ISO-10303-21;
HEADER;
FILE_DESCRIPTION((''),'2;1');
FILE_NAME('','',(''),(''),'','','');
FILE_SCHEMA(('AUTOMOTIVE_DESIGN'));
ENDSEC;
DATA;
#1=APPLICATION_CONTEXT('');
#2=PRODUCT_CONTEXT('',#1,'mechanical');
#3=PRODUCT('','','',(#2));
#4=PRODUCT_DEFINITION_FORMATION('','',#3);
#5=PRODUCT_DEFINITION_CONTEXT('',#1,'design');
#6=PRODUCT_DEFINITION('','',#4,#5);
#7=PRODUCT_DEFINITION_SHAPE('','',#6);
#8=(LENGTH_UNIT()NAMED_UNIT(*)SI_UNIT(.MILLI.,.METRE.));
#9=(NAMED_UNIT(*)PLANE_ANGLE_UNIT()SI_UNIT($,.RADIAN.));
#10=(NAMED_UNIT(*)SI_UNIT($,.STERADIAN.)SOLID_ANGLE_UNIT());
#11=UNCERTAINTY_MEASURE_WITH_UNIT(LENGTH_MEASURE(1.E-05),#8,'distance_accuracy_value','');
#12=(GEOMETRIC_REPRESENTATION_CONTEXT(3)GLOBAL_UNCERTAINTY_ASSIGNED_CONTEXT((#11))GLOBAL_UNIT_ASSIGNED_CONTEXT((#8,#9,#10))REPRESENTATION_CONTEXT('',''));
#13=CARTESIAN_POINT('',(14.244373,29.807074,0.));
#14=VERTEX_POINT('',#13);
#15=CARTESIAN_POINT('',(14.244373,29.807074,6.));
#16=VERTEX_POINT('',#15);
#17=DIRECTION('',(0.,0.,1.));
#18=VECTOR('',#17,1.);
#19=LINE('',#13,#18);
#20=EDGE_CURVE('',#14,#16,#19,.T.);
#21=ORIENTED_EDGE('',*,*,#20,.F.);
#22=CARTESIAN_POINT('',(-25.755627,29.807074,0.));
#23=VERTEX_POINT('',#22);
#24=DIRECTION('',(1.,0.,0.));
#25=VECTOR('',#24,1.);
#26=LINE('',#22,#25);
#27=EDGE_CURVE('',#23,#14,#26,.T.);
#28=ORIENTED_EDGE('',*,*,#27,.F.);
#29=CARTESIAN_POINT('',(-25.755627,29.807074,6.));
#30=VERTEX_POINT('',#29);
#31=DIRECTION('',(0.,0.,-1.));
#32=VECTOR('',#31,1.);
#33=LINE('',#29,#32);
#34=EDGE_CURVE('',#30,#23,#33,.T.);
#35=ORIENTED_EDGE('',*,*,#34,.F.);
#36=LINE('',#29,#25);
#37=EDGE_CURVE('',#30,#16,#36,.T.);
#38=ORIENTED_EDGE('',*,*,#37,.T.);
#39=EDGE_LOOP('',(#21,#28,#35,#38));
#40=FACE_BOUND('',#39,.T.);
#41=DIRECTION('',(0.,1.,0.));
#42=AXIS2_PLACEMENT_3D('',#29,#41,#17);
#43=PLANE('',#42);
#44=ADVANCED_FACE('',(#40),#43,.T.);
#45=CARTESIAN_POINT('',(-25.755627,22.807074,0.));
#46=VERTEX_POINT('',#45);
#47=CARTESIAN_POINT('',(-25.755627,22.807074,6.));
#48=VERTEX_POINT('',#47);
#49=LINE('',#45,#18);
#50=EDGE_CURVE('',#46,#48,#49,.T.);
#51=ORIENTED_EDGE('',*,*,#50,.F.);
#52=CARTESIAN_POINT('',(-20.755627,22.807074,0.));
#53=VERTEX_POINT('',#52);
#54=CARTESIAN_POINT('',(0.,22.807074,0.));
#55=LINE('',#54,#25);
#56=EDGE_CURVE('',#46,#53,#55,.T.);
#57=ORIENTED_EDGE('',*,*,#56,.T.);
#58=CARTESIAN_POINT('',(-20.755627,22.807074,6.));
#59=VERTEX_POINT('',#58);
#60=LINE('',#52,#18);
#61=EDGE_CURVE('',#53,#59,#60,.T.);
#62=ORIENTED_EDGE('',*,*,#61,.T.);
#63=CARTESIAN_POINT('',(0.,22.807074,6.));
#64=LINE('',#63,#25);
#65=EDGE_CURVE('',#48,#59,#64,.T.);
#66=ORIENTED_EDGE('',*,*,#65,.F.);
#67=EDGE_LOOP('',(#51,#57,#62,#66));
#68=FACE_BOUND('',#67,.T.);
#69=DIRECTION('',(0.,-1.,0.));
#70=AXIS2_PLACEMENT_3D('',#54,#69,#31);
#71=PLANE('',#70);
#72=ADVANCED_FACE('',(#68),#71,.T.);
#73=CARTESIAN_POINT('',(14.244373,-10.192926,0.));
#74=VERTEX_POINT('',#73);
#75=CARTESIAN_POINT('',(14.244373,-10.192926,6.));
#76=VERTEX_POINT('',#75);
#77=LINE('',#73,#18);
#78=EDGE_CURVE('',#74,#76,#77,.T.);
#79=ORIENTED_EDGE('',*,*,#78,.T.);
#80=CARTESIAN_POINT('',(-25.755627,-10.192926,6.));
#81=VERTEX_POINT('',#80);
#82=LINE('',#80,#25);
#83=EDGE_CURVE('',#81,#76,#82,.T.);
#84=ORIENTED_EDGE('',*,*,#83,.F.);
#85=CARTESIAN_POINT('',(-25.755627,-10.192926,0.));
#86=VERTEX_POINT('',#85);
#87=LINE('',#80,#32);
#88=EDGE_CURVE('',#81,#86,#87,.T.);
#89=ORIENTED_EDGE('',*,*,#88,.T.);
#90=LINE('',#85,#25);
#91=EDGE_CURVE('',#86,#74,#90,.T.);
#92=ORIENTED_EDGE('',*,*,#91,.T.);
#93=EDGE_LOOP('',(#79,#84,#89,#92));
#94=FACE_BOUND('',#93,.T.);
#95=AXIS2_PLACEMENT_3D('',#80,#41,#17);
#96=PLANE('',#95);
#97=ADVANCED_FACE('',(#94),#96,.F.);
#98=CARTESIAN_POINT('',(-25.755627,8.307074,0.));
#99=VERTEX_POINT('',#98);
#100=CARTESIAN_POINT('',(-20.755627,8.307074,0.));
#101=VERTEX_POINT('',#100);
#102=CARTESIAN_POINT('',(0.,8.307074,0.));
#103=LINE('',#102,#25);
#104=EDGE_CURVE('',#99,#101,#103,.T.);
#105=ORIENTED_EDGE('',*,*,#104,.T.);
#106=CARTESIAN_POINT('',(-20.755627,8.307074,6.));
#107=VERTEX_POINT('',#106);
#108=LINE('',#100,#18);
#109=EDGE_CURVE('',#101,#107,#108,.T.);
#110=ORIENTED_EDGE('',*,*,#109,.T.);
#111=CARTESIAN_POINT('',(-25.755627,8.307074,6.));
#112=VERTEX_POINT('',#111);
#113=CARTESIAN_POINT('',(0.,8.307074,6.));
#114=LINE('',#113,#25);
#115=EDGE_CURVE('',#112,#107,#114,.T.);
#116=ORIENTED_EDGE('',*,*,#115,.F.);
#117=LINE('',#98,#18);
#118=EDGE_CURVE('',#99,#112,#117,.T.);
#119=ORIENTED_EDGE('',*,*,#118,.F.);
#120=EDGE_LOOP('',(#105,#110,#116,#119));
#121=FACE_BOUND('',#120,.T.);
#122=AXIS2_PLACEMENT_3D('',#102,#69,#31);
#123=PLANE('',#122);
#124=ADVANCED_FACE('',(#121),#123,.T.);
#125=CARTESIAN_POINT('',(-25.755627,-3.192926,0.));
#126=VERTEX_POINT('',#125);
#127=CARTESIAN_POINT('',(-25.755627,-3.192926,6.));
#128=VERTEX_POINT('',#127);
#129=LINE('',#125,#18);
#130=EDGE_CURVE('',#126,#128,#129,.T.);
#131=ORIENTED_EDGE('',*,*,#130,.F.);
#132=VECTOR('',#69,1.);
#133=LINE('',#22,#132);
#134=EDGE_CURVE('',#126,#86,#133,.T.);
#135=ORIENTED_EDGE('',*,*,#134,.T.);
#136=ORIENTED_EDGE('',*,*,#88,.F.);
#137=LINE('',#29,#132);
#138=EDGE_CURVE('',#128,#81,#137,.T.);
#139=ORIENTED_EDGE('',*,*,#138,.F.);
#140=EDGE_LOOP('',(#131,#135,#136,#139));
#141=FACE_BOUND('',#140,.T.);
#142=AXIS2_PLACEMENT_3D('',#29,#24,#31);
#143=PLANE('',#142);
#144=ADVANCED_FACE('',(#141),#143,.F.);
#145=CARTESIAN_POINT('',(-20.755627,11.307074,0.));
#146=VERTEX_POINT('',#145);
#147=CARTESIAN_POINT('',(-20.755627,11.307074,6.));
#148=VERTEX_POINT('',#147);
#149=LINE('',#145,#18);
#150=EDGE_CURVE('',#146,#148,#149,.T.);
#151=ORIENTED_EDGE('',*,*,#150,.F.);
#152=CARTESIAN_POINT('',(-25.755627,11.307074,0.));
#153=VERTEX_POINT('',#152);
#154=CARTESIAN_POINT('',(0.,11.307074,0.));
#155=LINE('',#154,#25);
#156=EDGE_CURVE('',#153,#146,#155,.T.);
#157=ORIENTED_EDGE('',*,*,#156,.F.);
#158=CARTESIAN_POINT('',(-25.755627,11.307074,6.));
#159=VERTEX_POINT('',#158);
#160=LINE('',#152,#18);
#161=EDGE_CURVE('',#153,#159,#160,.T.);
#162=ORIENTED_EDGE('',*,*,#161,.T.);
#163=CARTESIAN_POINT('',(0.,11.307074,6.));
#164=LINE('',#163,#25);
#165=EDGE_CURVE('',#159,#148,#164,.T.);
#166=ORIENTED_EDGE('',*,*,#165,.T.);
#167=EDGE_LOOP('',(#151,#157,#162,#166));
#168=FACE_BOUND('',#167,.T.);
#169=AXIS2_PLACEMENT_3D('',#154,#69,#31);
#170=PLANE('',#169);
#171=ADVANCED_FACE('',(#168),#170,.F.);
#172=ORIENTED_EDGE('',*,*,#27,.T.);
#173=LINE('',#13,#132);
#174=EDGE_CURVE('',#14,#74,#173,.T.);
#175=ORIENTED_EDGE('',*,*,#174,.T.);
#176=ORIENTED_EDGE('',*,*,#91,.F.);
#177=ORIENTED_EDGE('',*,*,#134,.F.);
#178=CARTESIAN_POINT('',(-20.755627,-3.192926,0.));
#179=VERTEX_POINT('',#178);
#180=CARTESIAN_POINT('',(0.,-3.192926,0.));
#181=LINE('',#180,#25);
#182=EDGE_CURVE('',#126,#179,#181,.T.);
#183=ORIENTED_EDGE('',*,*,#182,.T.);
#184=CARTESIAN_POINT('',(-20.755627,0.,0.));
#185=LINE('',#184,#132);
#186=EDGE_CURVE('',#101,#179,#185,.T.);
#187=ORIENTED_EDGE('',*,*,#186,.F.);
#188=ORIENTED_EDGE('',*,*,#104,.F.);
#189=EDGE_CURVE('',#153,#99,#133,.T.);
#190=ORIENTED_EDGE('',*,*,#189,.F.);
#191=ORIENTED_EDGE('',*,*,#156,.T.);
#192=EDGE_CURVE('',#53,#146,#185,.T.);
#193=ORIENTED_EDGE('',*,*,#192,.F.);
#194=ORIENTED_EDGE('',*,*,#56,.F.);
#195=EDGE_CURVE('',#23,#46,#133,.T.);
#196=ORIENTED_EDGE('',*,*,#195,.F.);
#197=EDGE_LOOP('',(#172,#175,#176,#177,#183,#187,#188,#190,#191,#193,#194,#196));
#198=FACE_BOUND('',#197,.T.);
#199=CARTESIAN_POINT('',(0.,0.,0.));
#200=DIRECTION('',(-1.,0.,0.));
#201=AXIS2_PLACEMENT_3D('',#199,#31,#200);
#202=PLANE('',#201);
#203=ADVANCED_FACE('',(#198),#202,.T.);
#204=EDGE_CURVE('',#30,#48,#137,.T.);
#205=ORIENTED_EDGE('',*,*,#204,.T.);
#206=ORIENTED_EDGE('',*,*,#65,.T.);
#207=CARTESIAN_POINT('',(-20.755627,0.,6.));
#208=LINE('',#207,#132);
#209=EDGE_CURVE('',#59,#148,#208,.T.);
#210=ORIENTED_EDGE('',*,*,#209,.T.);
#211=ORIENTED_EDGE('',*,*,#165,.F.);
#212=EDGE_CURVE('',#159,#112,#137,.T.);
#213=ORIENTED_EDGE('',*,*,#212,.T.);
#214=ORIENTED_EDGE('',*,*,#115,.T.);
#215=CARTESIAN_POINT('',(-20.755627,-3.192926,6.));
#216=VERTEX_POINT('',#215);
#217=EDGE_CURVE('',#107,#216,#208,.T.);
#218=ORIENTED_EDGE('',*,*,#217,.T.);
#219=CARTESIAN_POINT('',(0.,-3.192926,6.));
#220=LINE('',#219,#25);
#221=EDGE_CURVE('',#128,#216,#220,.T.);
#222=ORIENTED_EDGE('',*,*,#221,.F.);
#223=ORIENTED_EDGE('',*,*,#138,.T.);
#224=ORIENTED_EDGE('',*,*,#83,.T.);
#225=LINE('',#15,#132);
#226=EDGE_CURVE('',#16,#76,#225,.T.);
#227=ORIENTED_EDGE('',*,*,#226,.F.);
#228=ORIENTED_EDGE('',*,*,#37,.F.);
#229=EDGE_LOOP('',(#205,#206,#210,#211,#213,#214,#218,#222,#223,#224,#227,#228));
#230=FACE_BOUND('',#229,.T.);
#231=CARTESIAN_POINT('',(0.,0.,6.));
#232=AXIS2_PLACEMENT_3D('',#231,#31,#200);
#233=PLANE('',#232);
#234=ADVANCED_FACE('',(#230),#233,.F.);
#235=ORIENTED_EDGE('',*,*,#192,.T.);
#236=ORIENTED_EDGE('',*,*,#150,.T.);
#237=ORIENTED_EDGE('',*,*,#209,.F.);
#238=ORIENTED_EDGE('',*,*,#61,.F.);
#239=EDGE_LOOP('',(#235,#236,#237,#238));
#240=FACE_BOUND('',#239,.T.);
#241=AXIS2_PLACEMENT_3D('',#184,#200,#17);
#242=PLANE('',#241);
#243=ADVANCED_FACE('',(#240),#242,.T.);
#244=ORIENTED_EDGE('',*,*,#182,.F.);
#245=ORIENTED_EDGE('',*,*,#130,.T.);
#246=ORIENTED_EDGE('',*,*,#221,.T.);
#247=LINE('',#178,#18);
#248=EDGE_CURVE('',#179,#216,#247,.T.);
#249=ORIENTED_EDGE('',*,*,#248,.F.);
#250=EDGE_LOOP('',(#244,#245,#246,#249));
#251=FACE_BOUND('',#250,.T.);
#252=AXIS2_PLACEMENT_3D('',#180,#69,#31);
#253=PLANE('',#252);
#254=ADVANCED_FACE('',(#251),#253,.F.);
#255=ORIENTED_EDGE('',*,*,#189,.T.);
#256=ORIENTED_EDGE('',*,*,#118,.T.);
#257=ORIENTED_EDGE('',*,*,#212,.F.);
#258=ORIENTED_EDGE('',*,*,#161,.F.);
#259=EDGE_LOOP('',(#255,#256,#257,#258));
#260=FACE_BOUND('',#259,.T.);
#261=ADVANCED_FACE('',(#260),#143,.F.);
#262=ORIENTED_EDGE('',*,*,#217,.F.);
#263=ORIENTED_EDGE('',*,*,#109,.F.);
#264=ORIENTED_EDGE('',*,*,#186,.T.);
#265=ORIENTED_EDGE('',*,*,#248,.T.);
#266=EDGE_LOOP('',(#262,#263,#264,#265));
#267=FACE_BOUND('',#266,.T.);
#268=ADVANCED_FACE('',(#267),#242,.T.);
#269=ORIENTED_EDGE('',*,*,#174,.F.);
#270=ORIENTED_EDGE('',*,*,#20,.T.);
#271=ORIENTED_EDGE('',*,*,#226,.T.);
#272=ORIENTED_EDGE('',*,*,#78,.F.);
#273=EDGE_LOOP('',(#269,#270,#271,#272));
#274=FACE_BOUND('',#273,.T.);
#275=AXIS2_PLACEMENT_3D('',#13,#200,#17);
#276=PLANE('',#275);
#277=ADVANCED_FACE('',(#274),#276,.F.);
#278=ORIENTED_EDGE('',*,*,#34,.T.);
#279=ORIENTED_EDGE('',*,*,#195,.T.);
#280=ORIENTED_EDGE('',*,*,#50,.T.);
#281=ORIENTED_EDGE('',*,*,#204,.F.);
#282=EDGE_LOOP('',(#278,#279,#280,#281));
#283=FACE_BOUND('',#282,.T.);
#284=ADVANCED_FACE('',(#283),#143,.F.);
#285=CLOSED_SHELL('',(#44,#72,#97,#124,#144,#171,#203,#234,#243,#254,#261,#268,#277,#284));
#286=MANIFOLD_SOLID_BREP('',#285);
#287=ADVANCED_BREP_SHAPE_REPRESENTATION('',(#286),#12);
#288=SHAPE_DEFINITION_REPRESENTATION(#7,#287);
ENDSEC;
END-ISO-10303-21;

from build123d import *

# Parameters (mm, degrees)
SKETCH1_W           = 45
SKETCH1_H           = 40
BOSS_EXTRUDE1_DEPTH = 6
SKETCH2_W           = 5
SKETCH2_H           = 11.5
CUT_EXTRUDE1_DEPTH  = 6
SKETCH3_W           = 5
SKETCH3_H           = 9
SKETCH3_H_2         = 3
CUT_EXTRUDE3_DEPTH  = 6
SKETCH4_W           = 8.469823435
SKETCH4_H           = 40.874478331
CUT_EXTRUDE4_DEPTH  = 6


with BuildPart() as part:
    # Sketch1 → Boss-Extrude1 (new body)
    with BuildSketch(Plane.XY):
        with Locations((-3.25562701, 9.807073955)):
            Rectangle(SKETCH1_W, SKETCH1_H)
    extrude(amount=BOSS_EXTRUDE1_DEPTH)

    # Sketch2 → Cut-Extrude1 (cut)
    with BuildSketch(Plane.XY.offset(6)):
        with Locations((-23.25562701, 17.057073955)):
            Rectangle(SKETCH2_W, SKETCH2_H)
        with Locations((-23.25562701, 2.557073955)):
            Rectangle(SKETCH2_W, SKETCH2_H)
    extrude(amount=-CUT_EXTRUDE1_DEPTH, mode=Mode.SUBTRACT)

    # Sketch3 → Cut-Extrude3 (cut)
    with BuildSketch(Plane.XY.offset(6)):
        with Locations((16.74437299, 25.307073955)):
            Rectangle(SKETCH3_W, SKETCH3_H)
        with Locations((16.74437299, 9.807073955)):
            Rectangle(SKETCH3_W, SKETCH3_H_2)
        with Locations((16.74437299, -5.692926045)):
            Rectangle(SKETCH3_W, SKETCH3_H)
    extrude(amount=-CUT_EXTRUDE3_DEPTH, mode=Mode.SUBTRACT)

    # Sketch4 → Cut-Extrude4 (cut)
    with BuildSketch(Plane.XY.offset(6)):
        with Locations((18.479284707, 9.36983479)):
            Rectangle(SKETCH4_W, SKETCH4_H)
    extrude(amount=-CUT_EXTRUDE4_DEPTH, mode=Mode.SUBTRACT)


solid = part.part
